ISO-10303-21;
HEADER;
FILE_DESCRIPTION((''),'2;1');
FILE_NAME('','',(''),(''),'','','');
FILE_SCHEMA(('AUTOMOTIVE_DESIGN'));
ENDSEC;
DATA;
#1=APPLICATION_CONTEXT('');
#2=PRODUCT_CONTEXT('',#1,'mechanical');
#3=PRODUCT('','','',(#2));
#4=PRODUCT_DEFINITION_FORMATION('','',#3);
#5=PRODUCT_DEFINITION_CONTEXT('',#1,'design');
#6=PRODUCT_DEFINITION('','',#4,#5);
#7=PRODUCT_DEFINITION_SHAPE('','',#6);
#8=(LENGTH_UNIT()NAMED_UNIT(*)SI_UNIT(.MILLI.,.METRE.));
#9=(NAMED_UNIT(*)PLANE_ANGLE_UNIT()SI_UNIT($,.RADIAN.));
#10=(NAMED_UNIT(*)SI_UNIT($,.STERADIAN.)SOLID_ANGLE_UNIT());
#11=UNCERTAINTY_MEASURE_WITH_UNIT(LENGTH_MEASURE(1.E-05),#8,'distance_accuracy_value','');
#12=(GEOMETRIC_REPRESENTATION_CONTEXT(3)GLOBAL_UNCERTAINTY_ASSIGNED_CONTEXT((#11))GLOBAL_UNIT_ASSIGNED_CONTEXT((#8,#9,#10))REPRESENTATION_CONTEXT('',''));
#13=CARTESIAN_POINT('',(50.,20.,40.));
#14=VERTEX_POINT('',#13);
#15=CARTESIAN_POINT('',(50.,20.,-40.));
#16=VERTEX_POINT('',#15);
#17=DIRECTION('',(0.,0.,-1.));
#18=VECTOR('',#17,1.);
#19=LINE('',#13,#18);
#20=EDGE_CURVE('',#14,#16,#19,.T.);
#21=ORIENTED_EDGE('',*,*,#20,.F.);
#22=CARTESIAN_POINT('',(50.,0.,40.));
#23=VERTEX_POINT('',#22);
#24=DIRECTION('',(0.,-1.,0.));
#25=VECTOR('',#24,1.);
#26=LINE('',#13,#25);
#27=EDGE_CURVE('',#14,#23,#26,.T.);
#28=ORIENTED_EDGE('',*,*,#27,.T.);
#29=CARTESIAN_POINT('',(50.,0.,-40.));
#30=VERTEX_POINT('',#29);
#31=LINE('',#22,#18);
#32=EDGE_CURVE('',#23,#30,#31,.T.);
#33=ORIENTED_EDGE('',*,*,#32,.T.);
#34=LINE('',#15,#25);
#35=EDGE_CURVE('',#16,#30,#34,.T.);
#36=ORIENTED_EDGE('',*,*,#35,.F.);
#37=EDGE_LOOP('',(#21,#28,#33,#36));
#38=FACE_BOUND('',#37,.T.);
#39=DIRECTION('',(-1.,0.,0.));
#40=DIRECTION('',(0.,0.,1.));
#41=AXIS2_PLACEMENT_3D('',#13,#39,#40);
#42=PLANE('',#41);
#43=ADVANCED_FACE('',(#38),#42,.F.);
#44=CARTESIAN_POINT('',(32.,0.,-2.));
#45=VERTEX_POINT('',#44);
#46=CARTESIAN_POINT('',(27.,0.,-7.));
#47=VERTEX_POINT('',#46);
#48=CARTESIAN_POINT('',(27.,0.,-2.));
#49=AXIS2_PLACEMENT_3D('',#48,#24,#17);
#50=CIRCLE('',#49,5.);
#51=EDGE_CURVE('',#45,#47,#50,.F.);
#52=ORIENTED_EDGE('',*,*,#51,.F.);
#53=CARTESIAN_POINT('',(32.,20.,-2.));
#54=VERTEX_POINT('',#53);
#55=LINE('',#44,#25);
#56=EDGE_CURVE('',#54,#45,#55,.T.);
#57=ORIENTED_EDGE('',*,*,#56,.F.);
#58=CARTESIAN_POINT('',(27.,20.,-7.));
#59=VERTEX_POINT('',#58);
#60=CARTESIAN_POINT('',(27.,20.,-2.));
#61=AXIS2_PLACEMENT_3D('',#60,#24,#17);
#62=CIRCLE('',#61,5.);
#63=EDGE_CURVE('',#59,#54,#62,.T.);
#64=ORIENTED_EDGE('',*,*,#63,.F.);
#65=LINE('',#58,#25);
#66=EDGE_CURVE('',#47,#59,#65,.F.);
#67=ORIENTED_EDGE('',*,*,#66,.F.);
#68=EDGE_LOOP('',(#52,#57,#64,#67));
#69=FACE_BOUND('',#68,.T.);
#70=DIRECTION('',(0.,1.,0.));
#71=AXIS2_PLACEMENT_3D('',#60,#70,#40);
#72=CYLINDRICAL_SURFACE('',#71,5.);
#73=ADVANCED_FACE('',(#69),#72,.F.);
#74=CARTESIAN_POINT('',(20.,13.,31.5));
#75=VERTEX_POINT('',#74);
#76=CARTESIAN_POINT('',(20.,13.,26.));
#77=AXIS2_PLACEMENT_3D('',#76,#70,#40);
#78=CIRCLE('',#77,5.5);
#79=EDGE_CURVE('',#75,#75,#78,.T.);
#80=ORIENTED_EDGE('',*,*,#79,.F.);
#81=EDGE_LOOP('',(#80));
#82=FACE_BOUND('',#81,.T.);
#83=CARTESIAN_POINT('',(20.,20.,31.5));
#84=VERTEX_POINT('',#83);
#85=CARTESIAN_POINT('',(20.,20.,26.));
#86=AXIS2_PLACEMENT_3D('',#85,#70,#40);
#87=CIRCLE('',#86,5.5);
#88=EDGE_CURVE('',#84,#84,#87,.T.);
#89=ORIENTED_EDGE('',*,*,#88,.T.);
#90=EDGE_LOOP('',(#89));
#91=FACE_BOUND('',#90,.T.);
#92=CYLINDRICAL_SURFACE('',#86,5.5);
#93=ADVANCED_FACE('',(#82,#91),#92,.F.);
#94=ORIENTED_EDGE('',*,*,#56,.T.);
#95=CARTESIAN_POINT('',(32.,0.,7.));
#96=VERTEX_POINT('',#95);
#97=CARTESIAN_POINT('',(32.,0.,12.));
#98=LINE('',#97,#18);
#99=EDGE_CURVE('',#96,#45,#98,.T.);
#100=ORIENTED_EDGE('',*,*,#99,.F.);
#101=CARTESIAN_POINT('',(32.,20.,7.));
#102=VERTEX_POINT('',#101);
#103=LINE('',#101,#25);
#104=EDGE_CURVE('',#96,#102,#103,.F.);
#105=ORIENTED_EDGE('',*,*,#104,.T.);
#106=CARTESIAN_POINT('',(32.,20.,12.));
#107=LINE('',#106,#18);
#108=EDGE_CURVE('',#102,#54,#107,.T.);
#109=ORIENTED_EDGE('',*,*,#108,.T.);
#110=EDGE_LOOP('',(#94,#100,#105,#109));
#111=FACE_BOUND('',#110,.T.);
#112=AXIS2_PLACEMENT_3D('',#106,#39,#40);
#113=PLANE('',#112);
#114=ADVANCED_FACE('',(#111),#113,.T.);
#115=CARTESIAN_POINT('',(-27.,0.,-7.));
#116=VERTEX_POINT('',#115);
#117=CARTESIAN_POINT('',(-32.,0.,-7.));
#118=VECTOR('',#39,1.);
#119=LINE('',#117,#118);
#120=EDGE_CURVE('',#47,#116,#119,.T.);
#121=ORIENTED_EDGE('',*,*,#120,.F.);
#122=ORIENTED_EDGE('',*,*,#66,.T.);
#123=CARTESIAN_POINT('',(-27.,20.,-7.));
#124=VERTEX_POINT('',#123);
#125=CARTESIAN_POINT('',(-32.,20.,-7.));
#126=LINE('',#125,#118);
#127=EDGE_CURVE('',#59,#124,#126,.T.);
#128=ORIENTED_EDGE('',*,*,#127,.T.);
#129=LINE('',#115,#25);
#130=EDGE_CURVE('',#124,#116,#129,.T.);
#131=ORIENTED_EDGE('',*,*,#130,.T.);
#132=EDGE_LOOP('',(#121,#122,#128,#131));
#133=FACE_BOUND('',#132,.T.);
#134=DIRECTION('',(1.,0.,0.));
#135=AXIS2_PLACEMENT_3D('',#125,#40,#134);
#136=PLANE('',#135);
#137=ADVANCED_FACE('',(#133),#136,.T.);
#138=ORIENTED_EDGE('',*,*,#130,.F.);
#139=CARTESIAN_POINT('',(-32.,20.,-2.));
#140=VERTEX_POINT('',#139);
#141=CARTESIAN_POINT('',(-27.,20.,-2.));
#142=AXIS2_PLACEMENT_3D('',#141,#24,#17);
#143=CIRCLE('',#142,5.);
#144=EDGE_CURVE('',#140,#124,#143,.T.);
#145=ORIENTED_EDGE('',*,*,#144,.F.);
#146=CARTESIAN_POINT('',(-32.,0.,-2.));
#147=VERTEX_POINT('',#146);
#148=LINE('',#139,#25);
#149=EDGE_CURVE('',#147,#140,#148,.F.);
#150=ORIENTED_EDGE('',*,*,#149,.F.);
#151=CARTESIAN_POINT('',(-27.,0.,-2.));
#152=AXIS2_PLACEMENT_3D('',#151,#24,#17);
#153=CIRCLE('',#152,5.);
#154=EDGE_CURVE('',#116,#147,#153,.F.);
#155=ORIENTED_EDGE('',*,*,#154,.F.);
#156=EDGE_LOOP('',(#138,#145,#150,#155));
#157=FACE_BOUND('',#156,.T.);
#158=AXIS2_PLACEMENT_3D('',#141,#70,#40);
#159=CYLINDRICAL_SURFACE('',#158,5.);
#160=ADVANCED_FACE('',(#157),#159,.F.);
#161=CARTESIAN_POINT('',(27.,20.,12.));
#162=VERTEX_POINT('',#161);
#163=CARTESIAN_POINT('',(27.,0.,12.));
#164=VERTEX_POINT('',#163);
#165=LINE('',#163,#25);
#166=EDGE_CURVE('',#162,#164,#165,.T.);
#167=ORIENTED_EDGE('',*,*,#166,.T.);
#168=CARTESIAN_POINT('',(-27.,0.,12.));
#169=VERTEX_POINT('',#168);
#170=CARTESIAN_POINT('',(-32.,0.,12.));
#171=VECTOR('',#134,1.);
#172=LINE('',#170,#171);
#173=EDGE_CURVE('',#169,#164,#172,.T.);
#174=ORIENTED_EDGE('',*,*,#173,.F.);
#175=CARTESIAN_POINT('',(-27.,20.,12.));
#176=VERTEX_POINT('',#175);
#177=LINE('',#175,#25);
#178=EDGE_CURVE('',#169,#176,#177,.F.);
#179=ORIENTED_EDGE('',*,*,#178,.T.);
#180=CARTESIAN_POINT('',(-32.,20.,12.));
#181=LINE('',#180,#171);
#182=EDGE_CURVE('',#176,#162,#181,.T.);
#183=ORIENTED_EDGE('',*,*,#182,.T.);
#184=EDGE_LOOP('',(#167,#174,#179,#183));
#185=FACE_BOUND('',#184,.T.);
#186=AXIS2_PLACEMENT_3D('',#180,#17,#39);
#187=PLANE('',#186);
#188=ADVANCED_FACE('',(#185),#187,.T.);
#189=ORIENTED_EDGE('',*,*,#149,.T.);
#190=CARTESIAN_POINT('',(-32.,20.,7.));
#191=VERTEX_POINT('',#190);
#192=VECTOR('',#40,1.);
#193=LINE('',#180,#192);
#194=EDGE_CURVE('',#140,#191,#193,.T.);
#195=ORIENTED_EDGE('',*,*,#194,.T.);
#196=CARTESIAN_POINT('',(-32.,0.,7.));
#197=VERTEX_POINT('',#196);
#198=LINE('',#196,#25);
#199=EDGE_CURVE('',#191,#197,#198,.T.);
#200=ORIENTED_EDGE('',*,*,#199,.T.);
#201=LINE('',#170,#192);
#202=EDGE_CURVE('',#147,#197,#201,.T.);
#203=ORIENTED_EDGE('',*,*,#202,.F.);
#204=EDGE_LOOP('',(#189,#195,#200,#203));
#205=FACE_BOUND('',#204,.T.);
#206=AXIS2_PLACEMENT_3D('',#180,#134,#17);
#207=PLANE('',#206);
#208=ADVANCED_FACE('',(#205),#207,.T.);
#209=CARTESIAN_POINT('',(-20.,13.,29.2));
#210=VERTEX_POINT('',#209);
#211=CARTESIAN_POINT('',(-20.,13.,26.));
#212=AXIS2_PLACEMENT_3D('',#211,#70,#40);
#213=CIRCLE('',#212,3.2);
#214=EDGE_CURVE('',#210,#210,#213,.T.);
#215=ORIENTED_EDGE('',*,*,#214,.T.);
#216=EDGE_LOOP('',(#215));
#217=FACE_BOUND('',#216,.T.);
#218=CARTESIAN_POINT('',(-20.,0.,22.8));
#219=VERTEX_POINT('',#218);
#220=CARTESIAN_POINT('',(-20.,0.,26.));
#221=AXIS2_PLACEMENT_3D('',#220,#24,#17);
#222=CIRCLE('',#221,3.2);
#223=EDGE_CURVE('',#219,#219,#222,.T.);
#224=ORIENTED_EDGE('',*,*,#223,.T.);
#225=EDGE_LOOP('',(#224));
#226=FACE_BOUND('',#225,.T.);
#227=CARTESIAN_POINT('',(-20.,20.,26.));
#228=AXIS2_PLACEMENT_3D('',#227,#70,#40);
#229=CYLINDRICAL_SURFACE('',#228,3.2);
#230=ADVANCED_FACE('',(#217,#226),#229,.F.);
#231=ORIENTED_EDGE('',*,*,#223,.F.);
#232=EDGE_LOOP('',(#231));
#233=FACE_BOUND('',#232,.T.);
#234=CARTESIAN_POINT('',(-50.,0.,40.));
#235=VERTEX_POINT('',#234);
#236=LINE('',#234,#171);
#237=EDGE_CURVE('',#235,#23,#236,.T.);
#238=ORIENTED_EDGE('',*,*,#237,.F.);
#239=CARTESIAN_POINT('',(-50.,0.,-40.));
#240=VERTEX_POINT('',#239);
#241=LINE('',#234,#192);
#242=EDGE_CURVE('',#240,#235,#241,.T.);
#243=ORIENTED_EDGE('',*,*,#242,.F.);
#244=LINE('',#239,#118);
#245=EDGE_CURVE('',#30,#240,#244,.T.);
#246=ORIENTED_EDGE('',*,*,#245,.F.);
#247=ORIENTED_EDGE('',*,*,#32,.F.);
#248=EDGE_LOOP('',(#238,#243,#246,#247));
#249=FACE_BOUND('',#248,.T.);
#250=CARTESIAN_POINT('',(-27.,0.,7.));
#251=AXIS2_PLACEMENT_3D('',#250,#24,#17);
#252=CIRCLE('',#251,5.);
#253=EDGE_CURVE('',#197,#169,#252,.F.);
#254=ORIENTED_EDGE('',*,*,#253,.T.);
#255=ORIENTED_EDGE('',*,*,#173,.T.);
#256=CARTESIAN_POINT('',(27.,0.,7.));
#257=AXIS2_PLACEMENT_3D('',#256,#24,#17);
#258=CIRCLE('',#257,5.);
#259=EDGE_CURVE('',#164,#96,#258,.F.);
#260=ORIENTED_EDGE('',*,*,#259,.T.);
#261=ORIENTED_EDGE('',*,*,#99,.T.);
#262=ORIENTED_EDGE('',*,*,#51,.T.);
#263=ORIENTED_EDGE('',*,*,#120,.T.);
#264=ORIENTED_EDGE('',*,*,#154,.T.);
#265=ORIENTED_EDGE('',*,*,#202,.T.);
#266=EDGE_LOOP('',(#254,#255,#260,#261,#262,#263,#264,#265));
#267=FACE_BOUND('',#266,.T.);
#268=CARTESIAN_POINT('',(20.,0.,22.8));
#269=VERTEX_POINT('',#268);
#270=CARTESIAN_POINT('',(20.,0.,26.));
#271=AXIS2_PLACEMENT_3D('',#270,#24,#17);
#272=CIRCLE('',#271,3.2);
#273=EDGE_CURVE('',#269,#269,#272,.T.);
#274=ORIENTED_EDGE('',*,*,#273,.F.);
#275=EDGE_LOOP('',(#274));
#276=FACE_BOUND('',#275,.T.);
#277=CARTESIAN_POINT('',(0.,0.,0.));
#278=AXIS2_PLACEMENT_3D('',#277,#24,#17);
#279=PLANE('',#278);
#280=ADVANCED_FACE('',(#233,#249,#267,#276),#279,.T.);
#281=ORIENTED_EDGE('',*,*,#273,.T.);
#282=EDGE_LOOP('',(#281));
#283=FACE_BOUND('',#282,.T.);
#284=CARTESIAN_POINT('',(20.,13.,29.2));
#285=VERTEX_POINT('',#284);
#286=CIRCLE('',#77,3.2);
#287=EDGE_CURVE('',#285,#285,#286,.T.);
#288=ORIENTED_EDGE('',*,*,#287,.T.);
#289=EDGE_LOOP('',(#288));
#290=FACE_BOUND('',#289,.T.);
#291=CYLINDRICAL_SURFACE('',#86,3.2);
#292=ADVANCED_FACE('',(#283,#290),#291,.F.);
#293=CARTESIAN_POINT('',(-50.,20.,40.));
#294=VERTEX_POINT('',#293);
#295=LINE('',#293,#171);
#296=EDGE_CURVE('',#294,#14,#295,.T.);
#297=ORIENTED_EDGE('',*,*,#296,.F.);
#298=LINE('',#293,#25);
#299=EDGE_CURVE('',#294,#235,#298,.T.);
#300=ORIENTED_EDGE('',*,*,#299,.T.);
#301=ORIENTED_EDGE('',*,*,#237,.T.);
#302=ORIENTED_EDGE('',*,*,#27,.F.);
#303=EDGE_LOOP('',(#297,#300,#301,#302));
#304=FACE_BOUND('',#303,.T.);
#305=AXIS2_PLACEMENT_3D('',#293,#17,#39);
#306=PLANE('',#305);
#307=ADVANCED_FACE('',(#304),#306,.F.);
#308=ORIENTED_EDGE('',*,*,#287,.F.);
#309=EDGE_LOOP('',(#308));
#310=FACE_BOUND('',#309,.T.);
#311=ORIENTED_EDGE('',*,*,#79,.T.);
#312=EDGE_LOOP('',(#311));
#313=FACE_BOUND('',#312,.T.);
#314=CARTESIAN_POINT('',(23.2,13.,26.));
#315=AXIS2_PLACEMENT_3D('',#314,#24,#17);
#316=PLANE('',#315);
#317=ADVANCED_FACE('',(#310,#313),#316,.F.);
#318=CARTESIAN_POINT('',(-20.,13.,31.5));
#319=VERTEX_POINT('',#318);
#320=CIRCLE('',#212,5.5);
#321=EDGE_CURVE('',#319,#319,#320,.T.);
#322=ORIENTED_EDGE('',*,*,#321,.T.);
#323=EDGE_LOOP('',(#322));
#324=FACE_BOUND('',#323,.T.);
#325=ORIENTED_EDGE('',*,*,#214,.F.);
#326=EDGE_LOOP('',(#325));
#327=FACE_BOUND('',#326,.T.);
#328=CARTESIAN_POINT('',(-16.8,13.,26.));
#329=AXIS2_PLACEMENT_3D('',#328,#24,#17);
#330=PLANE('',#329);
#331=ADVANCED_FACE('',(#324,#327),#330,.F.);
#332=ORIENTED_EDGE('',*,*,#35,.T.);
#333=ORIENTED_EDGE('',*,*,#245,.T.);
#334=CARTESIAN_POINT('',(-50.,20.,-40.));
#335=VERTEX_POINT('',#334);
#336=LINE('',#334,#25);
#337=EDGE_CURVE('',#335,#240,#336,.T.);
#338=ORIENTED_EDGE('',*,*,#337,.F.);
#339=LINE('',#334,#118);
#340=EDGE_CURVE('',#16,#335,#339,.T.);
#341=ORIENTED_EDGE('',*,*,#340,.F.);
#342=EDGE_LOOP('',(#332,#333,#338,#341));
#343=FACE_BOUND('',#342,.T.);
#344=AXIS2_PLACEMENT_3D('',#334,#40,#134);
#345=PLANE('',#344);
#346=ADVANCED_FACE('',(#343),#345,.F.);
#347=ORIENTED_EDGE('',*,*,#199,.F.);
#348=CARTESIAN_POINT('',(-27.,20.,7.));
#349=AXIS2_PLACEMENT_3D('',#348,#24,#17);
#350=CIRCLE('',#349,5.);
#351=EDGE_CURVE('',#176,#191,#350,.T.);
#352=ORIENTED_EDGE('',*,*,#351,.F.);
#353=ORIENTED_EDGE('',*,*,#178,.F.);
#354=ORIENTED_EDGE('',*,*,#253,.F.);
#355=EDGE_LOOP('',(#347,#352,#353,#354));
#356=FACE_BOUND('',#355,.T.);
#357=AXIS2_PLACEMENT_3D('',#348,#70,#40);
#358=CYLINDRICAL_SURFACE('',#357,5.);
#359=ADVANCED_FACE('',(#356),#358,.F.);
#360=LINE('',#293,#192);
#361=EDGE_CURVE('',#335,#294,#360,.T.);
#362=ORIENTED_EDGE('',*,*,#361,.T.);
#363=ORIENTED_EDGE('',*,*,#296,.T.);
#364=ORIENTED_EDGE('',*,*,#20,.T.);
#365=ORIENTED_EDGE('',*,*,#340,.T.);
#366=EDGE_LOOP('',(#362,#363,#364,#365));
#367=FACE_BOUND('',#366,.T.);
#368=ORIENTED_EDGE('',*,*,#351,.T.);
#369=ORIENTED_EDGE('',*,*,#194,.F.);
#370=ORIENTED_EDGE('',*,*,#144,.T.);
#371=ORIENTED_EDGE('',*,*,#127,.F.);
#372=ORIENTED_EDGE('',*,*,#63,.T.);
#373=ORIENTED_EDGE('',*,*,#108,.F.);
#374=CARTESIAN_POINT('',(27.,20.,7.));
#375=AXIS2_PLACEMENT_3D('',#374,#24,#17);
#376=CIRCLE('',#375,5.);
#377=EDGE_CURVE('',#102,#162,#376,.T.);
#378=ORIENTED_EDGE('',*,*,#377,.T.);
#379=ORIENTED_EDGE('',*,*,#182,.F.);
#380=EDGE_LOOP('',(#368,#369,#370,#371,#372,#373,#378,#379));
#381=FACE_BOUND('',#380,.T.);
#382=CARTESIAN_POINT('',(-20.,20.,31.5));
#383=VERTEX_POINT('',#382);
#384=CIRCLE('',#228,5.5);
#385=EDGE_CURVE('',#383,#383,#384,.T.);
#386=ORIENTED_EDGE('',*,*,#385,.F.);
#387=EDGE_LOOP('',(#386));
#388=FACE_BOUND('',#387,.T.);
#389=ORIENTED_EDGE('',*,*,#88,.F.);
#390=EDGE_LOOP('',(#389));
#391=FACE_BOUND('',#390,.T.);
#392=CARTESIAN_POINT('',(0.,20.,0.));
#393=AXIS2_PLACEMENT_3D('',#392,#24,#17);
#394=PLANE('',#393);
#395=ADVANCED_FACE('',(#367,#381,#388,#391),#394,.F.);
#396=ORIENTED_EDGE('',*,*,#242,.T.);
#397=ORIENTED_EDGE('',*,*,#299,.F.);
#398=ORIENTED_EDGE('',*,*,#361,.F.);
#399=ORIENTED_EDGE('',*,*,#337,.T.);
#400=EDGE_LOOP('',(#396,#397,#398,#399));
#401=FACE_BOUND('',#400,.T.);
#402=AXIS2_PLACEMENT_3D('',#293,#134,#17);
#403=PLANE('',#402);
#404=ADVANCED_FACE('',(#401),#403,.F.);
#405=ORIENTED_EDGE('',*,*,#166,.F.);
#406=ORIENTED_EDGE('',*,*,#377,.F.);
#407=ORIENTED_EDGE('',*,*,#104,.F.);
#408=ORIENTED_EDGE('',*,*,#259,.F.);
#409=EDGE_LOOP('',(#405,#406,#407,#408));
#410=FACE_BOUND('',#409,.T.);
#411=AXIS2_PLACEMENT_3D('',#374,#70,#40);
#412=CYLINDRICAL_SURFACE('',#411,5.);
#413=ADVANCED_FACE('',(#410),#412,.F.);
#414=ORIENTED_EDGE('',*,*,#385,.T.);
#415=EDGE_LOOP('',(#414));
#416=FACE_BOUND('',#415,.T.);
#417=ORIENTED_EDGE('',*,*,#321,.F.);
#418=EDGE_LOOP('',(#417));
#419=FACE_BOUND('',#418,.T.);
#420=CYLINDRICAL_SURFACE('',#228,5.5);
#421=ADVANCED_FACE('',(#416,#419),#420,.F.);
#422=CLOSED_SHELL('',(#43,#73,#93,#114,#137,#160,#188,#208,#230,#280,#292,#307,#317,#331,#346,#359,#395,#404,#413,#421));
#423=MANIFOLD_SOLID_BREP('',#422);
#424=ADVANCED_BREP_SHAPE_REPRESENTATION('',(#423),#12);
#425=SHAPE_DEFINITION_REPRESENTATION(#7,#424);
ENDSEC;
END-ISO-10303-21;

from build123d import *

# Parameters (mm, degrees)
SKETCH_1_W                = 100
SKETCH_1_H                = 80
SKETCH_1_W_2              = 64
SKETCH_1_H_2              = 19
EXTRUDE_1_DEPTH           = 20
FILLET_1_R                = 5
HOLE_WIZARD_1_D           = 6.4
HOLE_WIZARD_1_DEPTH       = 100
HOLE_WIZARD_1_CBORE_D     = 11
HOLE_WIZARD_1_CBORE_DEPTH = 7


with BuildPart() as part:
    # 草图1 → 凸台-拉伸1 (new body)
    with BuildSketch(Plane(origin=(0, 0, 0), x_dir=(1, 0, 0), z_dir=(0, 1, 0))):
        Rectangle(SKETCH_1_W, SKETCH_1_H)
        with Locations((0, -2.5)):
            Rectangle(SKETCH_1_W_2, SKETCH_1_H_2, mode=Mode.SUBTRACT)
    extrude(amount=EXTRUDE_1_DEPTH)

    # 圆角1
    fillet_1_edges = [part.edges().sort_by_distance(p)[0] for p in [
        (-32, 10, -7),
        (-32, 10, 12),
        (32, 10, 12),
        (32, 10, -7),
    ]]
    fillet(fillet_1_edges, radius=FILLET_1_R)

    # 孔1
    with Locations(Plane(origin=(0, 20, 0), x_dir=(1, 0, 0), z_dir=(0, 1, 0))):
        with Locations((20, -26), (-20, -26)):
            CounterBoreHole(HOLE_WIZARD_1_D / 2, HOLE_WIZARD_1_CBORE_D / 2, HOLE_WIZARD_1_CBORE_DEPTH, depth=HOLE_WIZARD_1_DEPTH)


solid = part.part
